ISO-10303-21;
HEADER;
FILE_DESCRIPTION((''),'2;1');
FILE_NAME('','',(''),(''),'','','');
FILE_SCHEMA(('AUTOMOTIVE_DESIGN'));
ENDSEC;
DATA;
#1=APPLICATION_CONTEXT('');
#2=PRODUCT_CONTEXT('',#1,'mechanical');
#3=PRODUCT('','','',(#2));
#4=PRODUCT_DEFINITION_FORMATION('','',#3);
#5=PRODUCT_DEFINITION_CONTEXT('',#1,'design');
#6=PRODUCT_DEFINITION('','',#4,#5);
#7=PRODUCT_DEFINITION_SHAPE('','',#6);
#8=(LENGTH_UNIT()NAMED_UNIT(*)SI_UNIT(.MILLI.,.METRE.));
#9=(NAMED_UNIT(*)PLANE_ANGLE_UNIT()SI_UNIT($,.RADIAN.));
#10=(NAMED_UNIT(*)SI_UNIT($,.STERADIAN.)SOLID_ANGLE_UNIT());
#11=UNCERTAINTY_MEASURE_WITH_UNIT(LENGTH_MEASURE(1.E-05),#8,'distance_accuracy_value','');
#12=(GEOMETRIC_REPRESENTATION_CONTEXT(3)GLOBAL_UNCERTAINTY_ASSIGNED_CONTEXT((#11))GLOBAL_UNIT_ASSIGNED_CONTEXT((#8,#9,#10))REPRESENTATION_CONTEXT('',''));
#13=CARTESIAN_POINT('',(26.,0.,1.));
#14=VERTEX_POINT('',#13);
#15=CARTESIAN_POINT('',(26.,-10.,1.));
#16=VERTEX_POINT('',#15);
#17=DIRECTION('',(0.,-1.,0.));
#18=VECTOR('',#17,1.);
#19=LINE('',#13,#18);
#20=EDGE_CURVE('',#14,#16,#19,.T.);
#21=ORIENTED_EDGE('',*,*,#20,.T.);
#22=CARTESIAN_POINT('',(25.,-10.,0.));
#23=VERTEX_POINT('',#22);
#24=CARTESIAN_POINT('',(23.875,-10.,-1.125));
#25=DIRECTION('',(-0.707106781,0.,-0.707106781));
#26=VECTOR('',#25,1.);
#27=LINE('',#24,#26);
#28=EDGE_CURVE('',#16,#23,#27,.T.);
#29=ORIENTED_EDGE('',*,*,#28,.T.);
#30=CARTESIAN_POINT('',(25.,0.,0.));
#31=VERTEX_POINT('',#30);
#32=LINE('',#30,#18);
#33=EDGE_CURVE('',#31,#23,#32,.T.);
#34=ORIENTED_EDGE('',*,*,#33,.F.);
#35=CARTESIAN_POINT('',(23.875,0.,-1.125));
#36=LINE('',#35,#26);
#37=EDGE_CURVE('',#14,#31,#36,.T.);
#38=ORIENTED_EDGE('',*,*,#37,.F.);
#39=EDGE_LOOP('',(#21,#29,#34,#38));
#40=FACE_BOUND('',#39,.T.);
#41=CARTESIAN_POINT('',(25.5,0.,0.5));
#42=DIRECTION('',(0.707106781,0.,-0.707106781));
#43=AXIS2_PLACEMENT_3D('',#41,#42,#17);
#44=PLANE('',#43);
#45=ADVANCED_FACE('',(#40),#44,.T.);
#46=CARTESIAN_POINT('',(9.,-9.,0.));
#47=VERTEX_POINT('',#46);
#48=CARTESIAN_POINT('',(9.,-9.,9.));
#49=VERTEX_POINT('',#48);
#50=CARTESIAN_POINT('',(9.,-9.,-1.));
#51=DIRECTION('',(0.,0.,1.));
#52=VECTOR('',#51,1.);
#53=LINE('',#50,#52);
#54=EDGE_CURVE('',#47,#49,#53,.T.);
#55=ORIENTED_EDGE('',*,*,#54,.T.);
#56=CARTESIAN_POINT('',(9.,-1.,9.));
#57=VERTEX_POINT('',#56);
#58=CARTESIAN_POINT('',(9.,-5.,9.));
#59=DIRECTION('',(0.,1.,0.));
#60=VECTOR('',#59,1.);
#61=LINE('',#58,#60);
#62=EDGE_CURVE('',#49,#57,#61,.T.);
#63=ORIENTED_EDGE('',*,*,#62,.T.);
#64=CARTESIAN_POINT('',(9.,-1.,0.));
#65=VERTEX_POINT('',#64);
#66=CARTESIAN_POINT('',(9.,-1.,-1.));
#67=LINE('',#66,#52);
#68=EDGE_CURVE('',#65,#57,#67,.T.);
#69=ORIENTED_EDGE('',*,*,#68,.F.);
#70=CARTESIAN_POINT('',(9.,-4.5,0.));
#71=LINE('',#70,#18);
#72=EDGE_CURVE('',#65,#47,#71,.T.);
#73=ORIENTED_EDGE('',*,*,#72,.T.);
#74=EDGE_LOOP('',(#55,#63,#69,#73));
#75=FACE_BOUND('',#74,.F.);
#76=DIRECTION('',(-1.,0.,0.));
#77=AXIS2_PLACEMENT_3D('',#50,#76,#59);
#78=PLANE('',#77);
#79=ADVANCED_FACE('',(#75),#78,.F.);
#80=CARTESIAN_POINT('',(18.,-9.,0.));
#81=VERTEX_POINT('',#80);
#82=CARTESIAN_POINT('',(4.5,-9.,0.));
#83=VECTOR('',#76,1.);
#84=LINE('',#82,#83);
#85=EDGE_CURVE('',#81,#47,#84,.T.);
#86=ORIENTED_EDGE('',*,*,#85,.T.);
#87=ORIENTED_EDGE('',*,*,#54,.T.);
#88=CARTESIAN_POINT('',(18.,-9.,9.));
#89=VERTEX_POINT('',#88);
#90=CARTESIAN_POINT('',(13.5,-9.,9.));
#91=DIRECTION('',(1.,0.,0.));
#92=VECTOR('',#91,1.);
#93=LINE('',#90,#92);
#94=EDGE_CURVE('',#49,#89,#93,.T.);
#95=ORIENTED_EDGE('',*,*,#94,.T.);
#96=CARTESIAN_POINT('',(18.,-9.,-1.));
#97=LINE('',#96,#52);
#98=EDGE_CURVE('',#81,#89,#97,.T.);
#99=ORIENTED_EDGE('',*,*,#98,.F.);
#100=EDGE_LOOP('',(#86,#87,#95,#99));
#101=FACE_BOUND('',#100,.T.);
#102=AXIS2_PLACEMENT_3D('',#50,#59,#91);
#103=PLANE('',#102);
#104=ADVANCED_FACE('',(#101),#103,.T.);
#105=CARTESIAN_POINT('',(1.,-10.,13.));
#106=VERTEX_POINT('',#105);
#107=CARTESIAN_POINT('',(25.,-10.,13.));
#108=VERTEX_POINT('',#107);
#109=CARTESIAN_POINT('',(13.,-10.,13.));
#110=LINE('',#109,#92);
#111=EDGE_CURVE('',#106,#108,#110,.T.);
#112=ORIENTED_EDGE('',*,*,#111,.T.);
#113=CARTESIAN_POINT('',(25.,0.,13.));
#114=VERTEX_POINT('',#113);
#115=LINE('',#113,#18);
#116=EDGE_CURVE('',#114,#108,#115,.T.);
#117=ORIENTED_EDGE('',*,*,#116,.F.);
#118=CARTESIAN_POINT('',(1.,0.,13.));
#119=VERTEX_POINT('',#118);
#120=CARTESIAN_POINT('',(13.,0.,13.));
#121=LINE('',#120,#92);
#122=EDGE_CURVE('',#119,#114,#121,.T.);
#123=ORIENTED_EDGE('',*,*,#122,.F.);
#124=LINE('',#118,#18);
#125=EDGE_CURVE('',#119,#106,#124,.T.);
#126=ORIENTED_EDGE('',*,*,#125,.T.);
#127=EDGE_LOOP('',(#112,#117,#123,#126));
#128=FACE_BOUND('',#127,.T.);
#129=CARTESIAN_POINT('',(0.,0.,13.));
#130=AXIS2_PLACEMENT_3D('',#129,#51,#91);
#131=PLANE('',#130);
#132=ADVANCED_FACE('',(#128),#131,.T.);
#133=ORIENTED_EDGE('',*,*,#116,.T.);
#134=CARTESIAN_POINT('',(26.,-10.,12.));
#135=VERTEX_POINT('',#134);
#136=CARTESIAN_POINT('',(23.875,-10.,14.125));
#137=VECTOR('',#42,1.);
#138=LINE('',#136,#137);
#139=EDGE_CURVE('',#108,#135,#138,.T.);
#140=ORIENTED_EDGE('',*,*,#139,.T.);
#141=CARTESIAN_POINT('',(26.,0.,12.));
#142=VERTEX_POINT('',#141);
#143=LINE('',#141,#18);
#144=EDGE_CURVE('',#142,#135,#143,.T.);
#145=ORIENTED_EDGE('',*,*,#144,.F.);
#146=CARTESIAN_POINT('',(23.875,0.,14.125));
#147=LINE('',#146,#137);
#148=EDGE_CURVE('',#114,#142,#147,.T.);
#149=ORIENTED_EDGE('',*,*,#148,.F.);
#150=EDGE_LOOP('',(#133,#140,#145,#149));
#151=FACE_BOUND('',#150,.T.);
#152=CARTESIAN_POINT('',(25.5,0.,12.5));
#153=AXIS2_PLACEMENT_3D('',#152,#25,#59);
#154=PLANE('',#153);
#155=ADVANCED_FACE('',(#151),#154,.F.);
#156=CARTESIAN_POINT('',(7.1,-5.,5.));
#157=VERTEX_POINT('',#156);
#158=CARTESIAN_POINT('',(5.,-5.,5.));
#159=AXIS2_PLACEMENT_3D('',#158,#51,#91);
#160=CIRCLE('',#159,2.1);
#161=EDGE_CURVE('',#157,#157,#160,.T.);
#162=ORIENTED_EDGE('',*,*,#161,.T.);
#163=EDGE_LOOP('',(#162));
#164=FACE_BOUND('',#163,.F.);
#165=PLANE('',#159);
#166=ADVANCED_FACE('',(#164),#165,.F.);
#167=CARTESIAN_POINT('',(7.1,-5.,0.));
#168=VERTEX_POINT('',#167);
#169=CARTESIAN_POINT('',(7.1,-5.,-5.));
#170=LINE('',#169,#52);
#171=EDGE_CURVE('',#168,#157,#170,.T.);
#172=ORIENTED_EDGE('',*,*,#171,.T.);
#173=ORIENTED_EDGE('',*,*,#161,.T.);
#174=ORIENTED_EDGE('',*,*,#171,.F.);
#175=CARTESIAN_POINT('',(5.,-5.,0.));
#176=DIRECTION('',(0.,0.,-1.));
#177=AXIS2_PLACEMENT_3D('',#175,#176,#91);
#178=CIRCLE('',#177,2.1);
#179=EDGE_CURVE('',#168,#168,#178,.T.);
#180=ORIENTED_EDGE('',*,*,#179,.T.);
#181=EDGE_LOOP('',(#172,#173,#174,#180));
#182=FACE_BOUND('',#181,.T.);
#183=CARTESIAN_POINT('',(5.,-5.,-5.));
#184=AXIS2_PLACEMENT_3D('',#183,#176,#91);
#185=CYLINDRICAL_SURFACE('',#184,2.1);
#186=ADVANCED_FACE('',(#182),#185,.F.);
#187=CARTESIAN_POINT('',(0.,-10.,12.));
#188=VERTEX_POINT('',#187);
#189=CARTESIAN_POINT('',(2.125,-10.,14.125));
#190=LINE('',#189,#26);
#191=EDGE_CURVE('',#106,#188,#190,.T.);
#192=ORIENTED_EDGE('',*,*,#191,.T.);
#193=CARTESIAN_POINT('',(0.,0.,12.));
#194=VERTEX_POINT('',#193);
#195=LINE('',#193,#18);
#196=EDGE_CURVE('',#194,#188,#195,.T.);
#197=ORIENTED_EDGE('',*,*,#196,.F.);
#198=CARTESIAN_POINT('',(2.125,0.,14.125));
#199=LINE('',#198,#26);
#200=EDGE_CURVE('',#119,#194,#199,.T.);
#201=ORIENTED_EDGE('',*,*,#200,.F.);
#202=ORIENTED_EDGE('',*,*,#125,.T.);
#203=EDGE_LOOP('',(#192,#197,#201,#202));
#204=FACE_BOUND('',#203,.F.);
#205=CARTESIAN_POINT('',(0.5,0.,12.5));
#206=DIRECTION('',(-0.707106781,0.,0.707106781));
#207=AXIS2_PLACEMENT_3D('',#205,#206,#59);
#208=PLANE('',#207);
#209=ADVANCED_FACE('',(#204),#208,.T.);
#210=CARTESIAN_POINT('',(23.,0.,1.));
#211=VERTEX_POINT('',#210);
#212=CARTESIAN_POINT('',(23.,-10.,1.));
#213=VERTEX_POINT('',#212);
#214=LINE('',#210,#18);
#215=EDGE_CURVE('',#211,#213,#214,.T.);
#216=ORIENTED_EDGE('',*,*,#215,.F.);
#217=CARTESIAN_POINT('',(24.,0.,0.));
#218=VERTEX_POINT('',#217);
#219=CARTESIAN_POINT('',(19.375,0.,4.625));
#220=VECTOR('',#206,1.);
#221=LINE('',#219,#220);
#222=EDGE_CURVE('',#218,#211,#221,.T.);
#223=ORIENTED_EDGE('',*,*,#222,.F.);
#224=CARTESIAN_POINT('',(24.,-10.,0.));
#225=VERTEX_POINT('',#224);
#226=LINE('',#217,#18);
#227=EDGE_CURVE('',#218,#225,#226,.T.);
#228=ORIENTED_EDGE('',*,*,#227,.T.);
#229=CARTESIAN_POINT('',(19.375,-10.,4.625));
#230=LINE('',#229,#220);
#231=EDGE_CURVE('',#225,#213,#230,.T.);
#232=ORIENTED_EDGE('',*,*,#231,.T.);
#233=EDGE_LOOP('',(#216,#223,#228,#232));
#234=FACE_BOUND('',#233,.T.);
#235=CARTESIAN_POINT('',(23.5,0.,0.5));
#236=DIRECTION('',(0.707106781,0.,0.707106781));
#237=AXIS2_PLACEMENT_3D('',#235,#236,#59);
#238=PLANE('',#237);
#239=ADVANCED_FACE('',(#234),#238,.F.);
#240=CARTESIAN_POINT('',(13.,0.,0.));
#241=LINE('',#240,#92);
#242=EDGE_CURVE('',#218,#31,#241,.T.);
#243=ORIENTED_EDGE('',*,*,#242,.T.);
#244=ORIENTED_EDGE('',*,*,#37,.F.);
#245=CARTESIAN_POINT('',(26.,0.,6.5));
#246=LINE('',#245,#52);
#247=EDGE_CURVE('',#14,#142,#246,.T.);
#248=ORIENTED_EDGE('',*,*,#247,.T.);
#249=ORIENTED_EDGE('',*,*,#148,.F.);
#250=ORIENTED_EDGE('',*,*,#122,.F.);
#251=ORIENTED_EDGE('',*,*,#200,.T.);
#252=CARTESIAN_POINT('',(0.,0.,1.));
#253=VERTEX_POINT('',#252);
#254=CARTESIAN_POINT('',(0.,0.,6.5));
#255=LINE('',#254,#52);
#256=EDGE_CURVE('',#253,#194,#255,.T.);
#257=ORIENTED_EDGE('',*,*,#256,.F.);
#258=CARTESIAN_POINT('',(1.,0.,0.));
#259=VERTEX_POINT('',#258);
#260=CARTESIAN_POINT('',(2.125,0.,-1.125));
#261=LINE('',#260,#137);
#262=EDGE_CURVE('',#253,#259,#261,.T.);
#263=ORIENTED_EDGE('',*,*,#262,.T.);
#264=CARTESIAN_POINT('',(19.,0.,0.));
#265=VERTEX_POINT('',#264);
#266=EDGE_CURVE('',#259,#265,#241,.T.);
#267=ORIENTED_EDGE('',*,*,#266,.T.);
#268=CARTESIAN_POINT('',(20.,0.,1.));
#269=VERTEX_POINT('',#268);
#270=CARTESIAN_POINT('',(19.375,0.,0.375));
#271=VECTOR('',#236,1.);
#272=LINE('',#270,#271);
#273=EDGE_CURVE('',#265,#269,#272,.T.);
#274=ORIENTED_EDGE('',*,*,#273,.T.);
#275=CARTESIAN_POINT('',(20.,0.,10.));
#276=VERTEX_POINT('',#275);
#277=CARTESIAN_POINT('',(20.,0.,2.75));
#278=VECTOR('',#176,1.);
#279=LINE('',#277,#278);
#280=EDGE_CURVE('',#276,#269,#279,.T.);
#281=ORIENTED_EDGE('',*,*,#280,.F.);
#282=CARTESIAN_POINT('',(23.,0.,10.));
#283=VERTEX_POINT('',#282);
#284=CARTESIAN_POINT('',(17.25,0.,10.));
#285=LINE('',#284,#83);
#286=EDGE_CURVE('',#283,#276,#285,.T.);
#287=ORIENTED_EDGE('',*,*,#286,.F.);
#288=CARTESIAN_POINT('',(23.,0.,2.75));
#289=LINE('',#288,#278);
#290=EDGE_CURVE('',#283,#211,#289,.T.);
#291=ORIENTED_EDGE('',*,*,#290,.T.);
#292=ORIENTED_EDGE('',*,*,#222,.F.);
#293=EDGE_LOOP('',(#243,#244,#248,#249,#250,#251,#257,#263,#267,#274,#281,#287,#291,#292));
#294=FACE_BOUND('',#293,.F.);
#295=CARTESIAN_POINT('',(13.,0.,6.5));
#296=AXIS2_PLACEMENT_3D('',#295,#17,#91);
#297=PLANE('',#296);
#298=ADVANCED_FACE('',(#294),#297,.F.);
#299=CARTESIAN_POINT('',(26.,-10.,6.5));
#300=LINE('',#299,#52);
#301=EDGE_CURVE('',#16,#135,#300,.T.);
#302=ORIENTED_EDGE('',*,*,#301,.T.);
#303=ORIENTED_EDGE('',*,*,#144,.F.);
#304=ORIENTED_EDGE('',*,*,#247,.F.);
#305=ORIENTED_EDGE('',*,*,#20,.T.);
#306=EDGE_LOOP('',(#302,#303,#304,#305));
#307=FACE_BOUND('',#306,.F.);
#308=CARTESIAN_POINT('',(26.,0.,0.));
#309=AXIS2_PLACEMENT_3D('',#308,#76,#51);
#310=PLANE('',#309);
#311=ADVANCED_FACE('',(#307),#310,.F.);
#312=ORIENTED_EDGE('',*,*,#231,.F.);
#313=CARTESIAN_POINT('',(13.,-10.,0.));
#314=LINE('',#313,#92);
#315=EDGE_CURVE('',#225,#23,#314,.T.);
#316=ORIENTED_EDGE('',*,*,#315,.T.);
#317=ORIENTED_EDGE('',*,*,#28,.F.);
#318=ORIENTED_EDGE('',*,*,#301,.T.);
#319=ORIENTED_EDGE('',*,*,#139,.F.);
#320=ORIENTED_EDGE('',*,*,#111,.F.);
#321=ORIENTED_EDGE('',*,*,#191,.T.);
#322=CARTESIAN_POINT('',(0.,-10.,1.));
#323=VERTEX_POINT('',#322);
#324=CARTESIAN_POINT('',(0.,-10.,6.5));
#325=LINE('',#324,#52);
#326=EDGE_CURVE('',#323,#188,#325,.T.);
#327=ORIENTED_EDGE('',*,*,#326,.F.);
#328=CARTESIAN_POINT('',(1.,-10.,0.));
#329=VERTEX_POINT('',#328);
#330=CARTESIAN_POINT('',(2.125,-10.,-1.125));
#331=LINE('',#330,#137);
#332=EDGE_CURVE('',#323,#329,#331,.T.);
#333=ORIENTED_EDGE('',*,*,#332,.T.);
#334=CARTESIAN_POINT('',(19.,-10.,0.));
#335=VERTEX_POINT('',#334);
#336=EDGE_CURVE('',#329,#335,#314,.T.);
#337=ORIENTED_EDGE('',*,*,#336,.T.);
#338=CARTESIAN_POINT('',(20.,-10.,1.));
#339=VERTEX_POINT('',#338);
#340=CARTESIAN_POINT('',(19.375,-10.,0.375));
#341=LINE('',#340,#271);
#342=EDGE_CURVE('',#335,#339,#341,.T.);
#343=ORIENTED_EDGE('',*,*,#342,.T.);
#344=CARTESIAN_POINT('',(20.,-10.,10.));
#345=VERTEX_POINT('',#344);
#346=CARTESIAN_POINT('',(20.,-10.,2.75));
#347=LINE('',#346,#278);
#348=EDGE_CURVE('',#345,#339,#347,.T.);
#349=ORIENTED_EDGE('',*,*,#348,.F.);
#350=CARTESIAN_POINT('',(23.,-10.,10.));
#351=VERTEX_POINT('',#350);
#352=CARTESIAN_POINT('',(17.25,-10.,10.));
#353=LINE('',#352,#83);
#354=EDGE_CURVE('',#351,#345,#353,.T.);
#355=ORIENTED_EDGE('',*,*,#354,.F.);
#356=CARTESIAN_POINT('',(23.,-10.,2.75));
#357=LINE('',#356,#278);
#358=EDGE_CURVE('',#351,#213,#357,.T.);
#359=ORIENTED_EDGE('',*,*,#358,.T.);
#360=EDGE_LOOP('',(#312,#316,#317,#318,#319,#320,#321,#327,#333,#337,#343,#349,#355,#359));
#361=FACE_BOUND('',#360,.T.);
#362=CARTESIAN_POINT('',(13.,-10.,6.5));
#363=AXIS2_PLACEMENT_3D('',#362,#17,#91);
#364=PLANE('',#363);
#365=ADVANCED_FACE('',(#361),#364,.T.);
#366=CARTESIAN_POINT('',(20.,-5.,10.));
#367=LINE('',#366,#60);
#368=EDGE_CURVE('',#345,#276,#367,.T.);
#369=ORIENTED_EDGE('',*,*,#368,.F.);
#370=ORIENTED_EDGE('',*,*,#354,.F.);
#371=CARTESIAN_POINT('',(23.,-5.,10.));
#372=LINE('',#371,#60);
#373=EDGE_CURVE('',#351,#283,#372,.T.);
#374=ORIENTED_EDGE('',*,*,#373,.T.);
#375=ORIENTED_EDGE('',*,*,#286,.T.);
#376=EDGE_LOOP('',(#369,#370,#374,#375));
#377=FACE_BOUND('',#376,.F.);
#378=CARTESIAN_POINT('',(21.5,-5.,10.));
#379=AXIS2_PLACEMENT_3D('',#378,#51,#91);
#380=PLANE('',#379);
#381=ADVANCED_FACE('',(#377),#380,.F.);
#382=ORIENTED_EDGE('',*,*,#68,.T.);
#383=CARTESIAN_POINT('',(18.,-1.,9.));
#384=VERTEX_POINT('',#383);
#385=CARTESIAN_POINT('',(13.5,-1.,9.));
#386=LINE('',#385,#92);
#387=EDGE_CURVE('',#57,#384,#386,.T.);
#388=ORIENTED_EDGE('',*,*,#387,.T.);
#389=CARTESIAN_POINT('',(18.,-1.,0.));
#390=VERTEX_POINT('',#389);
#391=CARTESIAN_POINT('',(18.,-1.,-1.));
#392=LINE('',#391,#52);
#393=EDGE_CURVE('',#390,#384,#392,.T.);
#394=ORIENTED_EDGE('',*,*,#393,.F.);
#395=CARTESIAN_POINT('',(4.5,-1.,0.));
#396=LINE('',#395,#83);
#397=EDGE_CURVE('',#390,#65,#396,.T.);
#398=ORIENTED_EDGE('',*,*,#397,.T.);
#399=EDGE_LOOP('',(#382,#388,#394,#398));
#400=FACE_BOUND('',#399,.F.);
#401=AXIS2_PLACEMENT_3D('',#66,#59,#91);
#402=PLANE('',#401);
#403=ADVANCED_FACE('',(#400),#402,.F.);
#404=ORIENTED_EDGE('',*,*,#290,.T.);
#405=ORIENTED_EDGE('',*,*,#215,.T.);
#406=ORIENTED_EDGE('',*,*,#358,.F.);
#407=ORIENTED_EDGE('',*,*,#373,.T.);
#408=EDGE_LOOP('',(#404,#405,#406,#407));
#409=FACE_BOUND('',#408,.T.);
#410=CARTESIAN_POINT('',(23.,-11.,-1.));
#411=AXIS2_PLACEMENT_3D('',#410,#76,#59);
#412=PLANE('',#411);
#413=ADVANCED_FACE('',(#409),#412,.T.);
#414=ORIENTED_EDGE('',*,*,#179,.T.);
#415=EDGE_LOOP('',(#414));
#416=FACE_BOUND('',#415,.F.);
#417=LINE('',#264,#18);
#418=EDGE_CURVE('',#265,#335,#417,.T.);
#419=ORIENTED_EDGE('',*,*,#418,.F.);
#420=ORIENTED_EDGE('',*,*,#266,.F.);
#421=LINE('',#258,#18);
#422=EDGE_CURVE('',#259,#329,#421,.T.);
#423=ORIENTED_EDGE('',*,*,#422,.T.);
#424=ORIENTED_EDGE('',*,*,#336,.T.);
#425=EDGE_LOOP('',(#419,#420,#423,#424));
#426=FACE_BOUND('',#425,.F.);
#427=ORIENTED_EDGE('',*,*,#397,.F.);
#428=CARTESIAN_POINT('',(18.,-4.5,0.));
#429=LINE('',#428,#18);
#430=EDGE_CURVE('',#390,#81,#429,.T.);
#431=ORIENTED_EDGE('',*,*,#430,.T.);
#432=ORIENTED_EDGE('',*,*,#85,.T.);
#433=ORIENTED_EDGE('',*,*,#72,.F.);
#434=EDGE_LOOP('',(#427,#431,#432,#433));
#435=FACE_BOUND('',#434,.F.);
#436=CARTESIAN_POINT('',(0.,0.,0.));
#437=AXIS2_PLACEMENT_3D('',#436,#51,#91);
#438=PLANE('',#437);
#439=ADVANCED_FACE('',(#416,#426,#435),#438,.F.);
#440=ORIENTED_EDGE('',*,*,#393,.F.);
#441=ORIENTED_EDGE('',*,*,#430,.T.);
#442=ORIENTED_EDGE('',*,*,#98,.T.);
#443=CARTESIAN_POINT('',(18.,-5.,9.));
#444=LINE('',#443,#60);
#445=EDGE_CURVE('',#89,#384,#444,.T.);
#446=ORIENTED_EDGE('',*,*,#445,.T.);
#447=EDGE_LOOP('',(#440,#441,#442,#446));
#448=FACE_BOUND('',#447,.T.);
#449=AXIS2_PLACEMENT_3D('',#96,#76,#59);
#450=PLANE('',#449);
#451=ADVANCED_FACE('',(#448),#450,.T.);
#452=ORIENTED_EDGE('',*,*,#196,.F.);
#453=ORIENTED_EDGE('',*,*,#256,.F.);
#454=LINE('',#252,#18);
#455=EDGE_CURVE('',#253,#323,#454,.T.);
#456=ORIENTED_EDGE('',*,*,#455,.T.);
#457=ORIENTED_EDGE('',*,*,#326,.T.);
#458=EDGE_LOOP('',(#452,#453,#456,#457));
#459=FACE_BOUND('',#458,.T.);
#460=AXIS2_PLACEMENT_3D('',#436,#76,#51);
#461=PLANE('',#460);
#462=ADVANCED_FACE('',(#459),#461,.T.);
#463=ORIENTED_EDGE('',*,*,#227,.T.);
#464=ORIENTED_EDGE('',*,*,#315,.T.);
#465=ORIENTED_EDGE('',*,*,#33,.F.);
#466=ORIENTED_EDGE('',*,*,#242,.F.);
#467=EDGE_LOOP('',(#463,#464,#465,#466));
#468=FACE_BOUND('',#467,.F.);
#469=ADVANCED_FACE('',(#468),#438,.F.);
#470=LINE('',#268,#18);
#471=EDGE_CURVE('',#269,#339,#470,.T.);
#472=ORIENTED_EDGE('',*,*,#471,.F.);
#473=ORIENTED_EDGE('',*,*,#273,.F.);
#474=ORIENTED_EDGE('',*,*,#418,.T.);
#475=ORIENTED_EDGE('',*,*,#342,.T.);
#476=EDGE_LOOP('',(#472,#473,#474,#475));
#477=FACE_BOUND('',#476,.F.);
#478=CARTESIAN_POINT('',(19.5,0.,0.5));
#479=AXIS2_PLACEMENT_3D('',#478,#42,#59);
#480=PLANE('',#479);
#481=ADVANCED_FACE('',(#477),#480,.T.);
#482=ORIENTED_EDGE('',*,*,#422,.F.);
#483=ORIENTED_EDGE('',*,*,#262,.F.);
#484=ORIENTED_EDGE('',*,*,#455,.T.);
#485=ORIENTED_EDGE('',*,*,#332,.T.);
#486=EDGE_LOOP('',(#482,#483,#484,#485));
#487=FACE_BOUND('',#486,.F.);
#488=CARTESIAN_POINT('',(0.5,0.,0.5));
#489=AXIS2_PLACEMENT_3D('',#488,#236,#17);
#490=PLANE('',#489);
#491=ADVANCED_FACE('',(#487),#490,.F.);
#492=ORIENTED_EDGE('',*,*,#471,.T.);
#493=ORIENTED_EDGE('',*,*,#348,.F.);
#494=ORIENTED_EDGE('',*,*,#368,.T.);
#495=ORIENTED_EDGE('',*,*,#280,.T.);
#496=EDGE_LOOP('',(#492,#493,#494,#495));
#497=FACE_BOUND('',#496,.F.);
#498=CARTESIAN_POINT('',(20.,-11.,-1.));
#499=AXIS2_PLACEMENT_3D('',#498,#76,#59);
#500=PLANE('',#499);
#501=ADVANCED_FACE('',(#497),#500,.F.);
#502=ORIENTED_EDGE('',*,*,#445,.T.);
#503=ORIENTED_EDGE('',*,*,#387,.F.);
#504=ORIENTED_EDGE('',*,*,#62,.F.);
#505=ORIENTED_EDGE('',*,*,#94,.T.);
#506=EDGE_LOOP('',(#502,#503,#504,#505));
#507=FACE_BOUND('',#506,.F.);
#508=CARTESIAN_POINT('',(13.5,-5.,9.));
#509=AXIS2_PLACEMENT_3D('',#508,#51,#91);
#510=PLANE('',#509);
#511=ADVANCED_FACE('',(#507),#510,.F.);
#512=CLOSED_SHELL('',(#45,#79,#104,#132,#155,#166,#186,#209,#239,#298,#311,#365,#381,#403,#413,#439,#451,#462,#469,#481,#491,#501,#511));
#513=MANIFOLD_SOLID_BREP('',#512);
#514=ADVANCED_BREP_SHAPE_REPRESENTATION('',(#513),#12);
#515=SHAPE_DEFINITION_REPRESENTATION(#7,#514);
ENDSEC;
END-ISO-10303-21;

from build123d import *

# Parameters (mm, degrees)
CYLINDER001_R     = 2.1
CYLINDER001_DEPTH = 10
BOX002_W          = 9
BOX002_H          = 8
BOX002_DEPTH      = 10
BOX001_W          = 3
BOX001_H          = 12
BOX001_DEPTH      = 11
CYLINDER_R        = 2
CYLINDER_DEPTH    = 10
BOX_W             = 26
BOX_H             = 13
BOX_DEPTH         = 10
BOX_ROLL_ANGLE    = 90
CHAMFER_SIZE      = 1
CHAMFER001_SIZE   = 1
CHAMFER002_SIZE   = 1
CHAMFER003_SIZE   = 1
CHAMFER004_SIZE   = 1


with BuildPart() as cylinder001:
    # Cylinder001 → Cylinder001 (new body)
    with BuildSketch(Plane(origin=(5, -5, -5), x_dir=(1, 0, 0), z_dir=(0, 0, 1))):
        Circle(CYLINDER001_R)
    extrude(amount=CYLINDER001_DEPTH)


with BuildPart() as cube002:
    # Box002 → Box002 (new body)
    with BuildSketch(Plane(origin=(9, -9, -1), x_dir=(1, 0, 0), z_dir=(0, 0, 1))):
        with Locations((4.5, 4)):
            Rectangle(BOX002_W, BOX002_H)
    extrude(amount=BOX002_DEPTH)


with BuildPart() as cube001:
    # Box001 → Box001 (new body)
    with BuildSketch(Plane(origin=(20, -11, -1), x_dir=(1, 0, 0), z_dir=(0, 0, 1))):
        with Locations((1.5, 6)):
            Rectangle(BOX001_W, BOX001_H)
    extrude(amount=BOX001_DEPTH)


with BuildPart() as cylinder:
    # Cylinder → Cylinder (new body)
    with BuildSketch(Plane(origin=(5, -5, -5), x_dir=(1, 0, 0), z_dir=(0, 0, 1))):
        Circle(CYLINDER_R)
    extrude(amount=CYLINDER_DEPTH)


with BuildPart() as cut003:
    # Box → Box (new body)
    with BuildSketch(Plane.XY):
        with Locations((13, 6.5)):
            Rectangle(BOX_W, BOX_H)
    extrude(amount=BOX_DEPTH)


with BuildPart() as cut003_1:
    # Box roll: moved
    add(cut003.part.rotate(Axis((0, 0, 0), (1, 0, 0)), BOX_ROLL_ANGLE))


with BuildPart() as cut003_2:
    # Box placement: moved
    add(cut003_1.part)

    # Cut: cut Cylinder
    add(cylinder.part, mode=Mode.SUBTRACT)

    # Cut001: cut Cube001
    add(cube001.part, mode=Mode.SUBTRACT)

    # Chamfer
    chamfer_edges = [cut003_2.edges().sort_by_distance(p)[0] for p in [
        (0, -5, 0),
        (23, -5, 0),
    ]]
    chamfer(chamfer_edges, length=CHAMFER_SIZE)

    # Chamfer001
    chamfer001_edges = [cut003_2.edges().sort_by_distance(p)[0] for p in [
        (20, -5, 0),
    ]]
    chamfer(chamfer001_edges, length=CHAMFER001_SIZE)

    # Chamfer002
    chamfer002_edges = [cut003_2.edges().sort_by_distance(p)[0] for p in [
        (26, -5, 0),
    ]]
    chamfer(chamfer002_edges, length=CHAMFER002_SIZE)

    # Chamfer003
    chamfer003_edges = [cut003_2.edges().sort_by_distance(p)[0] for p in [
        (0, -5, 13),
    ]]
    chamfer(chamfer003_edges, length=CHAMFER003_SIZE)

    # Chamfer004
    chamfer004_edges = [cut003_2.edges().sort_by_distance(p)[0] for p in [
        (26, -5, 13),
    ]]
    chamfer(chamfer004_edges, length=CHAMFER004_SIZE)

    # Cut002: cut Cube002
    add(cube002.part, mode=Mode.SUBTRACT)

    # Cut003: cut Cylinder001
    add(cylinder001.part, mode=Mode.SUBTRACT)


solid = cut003_2.part
